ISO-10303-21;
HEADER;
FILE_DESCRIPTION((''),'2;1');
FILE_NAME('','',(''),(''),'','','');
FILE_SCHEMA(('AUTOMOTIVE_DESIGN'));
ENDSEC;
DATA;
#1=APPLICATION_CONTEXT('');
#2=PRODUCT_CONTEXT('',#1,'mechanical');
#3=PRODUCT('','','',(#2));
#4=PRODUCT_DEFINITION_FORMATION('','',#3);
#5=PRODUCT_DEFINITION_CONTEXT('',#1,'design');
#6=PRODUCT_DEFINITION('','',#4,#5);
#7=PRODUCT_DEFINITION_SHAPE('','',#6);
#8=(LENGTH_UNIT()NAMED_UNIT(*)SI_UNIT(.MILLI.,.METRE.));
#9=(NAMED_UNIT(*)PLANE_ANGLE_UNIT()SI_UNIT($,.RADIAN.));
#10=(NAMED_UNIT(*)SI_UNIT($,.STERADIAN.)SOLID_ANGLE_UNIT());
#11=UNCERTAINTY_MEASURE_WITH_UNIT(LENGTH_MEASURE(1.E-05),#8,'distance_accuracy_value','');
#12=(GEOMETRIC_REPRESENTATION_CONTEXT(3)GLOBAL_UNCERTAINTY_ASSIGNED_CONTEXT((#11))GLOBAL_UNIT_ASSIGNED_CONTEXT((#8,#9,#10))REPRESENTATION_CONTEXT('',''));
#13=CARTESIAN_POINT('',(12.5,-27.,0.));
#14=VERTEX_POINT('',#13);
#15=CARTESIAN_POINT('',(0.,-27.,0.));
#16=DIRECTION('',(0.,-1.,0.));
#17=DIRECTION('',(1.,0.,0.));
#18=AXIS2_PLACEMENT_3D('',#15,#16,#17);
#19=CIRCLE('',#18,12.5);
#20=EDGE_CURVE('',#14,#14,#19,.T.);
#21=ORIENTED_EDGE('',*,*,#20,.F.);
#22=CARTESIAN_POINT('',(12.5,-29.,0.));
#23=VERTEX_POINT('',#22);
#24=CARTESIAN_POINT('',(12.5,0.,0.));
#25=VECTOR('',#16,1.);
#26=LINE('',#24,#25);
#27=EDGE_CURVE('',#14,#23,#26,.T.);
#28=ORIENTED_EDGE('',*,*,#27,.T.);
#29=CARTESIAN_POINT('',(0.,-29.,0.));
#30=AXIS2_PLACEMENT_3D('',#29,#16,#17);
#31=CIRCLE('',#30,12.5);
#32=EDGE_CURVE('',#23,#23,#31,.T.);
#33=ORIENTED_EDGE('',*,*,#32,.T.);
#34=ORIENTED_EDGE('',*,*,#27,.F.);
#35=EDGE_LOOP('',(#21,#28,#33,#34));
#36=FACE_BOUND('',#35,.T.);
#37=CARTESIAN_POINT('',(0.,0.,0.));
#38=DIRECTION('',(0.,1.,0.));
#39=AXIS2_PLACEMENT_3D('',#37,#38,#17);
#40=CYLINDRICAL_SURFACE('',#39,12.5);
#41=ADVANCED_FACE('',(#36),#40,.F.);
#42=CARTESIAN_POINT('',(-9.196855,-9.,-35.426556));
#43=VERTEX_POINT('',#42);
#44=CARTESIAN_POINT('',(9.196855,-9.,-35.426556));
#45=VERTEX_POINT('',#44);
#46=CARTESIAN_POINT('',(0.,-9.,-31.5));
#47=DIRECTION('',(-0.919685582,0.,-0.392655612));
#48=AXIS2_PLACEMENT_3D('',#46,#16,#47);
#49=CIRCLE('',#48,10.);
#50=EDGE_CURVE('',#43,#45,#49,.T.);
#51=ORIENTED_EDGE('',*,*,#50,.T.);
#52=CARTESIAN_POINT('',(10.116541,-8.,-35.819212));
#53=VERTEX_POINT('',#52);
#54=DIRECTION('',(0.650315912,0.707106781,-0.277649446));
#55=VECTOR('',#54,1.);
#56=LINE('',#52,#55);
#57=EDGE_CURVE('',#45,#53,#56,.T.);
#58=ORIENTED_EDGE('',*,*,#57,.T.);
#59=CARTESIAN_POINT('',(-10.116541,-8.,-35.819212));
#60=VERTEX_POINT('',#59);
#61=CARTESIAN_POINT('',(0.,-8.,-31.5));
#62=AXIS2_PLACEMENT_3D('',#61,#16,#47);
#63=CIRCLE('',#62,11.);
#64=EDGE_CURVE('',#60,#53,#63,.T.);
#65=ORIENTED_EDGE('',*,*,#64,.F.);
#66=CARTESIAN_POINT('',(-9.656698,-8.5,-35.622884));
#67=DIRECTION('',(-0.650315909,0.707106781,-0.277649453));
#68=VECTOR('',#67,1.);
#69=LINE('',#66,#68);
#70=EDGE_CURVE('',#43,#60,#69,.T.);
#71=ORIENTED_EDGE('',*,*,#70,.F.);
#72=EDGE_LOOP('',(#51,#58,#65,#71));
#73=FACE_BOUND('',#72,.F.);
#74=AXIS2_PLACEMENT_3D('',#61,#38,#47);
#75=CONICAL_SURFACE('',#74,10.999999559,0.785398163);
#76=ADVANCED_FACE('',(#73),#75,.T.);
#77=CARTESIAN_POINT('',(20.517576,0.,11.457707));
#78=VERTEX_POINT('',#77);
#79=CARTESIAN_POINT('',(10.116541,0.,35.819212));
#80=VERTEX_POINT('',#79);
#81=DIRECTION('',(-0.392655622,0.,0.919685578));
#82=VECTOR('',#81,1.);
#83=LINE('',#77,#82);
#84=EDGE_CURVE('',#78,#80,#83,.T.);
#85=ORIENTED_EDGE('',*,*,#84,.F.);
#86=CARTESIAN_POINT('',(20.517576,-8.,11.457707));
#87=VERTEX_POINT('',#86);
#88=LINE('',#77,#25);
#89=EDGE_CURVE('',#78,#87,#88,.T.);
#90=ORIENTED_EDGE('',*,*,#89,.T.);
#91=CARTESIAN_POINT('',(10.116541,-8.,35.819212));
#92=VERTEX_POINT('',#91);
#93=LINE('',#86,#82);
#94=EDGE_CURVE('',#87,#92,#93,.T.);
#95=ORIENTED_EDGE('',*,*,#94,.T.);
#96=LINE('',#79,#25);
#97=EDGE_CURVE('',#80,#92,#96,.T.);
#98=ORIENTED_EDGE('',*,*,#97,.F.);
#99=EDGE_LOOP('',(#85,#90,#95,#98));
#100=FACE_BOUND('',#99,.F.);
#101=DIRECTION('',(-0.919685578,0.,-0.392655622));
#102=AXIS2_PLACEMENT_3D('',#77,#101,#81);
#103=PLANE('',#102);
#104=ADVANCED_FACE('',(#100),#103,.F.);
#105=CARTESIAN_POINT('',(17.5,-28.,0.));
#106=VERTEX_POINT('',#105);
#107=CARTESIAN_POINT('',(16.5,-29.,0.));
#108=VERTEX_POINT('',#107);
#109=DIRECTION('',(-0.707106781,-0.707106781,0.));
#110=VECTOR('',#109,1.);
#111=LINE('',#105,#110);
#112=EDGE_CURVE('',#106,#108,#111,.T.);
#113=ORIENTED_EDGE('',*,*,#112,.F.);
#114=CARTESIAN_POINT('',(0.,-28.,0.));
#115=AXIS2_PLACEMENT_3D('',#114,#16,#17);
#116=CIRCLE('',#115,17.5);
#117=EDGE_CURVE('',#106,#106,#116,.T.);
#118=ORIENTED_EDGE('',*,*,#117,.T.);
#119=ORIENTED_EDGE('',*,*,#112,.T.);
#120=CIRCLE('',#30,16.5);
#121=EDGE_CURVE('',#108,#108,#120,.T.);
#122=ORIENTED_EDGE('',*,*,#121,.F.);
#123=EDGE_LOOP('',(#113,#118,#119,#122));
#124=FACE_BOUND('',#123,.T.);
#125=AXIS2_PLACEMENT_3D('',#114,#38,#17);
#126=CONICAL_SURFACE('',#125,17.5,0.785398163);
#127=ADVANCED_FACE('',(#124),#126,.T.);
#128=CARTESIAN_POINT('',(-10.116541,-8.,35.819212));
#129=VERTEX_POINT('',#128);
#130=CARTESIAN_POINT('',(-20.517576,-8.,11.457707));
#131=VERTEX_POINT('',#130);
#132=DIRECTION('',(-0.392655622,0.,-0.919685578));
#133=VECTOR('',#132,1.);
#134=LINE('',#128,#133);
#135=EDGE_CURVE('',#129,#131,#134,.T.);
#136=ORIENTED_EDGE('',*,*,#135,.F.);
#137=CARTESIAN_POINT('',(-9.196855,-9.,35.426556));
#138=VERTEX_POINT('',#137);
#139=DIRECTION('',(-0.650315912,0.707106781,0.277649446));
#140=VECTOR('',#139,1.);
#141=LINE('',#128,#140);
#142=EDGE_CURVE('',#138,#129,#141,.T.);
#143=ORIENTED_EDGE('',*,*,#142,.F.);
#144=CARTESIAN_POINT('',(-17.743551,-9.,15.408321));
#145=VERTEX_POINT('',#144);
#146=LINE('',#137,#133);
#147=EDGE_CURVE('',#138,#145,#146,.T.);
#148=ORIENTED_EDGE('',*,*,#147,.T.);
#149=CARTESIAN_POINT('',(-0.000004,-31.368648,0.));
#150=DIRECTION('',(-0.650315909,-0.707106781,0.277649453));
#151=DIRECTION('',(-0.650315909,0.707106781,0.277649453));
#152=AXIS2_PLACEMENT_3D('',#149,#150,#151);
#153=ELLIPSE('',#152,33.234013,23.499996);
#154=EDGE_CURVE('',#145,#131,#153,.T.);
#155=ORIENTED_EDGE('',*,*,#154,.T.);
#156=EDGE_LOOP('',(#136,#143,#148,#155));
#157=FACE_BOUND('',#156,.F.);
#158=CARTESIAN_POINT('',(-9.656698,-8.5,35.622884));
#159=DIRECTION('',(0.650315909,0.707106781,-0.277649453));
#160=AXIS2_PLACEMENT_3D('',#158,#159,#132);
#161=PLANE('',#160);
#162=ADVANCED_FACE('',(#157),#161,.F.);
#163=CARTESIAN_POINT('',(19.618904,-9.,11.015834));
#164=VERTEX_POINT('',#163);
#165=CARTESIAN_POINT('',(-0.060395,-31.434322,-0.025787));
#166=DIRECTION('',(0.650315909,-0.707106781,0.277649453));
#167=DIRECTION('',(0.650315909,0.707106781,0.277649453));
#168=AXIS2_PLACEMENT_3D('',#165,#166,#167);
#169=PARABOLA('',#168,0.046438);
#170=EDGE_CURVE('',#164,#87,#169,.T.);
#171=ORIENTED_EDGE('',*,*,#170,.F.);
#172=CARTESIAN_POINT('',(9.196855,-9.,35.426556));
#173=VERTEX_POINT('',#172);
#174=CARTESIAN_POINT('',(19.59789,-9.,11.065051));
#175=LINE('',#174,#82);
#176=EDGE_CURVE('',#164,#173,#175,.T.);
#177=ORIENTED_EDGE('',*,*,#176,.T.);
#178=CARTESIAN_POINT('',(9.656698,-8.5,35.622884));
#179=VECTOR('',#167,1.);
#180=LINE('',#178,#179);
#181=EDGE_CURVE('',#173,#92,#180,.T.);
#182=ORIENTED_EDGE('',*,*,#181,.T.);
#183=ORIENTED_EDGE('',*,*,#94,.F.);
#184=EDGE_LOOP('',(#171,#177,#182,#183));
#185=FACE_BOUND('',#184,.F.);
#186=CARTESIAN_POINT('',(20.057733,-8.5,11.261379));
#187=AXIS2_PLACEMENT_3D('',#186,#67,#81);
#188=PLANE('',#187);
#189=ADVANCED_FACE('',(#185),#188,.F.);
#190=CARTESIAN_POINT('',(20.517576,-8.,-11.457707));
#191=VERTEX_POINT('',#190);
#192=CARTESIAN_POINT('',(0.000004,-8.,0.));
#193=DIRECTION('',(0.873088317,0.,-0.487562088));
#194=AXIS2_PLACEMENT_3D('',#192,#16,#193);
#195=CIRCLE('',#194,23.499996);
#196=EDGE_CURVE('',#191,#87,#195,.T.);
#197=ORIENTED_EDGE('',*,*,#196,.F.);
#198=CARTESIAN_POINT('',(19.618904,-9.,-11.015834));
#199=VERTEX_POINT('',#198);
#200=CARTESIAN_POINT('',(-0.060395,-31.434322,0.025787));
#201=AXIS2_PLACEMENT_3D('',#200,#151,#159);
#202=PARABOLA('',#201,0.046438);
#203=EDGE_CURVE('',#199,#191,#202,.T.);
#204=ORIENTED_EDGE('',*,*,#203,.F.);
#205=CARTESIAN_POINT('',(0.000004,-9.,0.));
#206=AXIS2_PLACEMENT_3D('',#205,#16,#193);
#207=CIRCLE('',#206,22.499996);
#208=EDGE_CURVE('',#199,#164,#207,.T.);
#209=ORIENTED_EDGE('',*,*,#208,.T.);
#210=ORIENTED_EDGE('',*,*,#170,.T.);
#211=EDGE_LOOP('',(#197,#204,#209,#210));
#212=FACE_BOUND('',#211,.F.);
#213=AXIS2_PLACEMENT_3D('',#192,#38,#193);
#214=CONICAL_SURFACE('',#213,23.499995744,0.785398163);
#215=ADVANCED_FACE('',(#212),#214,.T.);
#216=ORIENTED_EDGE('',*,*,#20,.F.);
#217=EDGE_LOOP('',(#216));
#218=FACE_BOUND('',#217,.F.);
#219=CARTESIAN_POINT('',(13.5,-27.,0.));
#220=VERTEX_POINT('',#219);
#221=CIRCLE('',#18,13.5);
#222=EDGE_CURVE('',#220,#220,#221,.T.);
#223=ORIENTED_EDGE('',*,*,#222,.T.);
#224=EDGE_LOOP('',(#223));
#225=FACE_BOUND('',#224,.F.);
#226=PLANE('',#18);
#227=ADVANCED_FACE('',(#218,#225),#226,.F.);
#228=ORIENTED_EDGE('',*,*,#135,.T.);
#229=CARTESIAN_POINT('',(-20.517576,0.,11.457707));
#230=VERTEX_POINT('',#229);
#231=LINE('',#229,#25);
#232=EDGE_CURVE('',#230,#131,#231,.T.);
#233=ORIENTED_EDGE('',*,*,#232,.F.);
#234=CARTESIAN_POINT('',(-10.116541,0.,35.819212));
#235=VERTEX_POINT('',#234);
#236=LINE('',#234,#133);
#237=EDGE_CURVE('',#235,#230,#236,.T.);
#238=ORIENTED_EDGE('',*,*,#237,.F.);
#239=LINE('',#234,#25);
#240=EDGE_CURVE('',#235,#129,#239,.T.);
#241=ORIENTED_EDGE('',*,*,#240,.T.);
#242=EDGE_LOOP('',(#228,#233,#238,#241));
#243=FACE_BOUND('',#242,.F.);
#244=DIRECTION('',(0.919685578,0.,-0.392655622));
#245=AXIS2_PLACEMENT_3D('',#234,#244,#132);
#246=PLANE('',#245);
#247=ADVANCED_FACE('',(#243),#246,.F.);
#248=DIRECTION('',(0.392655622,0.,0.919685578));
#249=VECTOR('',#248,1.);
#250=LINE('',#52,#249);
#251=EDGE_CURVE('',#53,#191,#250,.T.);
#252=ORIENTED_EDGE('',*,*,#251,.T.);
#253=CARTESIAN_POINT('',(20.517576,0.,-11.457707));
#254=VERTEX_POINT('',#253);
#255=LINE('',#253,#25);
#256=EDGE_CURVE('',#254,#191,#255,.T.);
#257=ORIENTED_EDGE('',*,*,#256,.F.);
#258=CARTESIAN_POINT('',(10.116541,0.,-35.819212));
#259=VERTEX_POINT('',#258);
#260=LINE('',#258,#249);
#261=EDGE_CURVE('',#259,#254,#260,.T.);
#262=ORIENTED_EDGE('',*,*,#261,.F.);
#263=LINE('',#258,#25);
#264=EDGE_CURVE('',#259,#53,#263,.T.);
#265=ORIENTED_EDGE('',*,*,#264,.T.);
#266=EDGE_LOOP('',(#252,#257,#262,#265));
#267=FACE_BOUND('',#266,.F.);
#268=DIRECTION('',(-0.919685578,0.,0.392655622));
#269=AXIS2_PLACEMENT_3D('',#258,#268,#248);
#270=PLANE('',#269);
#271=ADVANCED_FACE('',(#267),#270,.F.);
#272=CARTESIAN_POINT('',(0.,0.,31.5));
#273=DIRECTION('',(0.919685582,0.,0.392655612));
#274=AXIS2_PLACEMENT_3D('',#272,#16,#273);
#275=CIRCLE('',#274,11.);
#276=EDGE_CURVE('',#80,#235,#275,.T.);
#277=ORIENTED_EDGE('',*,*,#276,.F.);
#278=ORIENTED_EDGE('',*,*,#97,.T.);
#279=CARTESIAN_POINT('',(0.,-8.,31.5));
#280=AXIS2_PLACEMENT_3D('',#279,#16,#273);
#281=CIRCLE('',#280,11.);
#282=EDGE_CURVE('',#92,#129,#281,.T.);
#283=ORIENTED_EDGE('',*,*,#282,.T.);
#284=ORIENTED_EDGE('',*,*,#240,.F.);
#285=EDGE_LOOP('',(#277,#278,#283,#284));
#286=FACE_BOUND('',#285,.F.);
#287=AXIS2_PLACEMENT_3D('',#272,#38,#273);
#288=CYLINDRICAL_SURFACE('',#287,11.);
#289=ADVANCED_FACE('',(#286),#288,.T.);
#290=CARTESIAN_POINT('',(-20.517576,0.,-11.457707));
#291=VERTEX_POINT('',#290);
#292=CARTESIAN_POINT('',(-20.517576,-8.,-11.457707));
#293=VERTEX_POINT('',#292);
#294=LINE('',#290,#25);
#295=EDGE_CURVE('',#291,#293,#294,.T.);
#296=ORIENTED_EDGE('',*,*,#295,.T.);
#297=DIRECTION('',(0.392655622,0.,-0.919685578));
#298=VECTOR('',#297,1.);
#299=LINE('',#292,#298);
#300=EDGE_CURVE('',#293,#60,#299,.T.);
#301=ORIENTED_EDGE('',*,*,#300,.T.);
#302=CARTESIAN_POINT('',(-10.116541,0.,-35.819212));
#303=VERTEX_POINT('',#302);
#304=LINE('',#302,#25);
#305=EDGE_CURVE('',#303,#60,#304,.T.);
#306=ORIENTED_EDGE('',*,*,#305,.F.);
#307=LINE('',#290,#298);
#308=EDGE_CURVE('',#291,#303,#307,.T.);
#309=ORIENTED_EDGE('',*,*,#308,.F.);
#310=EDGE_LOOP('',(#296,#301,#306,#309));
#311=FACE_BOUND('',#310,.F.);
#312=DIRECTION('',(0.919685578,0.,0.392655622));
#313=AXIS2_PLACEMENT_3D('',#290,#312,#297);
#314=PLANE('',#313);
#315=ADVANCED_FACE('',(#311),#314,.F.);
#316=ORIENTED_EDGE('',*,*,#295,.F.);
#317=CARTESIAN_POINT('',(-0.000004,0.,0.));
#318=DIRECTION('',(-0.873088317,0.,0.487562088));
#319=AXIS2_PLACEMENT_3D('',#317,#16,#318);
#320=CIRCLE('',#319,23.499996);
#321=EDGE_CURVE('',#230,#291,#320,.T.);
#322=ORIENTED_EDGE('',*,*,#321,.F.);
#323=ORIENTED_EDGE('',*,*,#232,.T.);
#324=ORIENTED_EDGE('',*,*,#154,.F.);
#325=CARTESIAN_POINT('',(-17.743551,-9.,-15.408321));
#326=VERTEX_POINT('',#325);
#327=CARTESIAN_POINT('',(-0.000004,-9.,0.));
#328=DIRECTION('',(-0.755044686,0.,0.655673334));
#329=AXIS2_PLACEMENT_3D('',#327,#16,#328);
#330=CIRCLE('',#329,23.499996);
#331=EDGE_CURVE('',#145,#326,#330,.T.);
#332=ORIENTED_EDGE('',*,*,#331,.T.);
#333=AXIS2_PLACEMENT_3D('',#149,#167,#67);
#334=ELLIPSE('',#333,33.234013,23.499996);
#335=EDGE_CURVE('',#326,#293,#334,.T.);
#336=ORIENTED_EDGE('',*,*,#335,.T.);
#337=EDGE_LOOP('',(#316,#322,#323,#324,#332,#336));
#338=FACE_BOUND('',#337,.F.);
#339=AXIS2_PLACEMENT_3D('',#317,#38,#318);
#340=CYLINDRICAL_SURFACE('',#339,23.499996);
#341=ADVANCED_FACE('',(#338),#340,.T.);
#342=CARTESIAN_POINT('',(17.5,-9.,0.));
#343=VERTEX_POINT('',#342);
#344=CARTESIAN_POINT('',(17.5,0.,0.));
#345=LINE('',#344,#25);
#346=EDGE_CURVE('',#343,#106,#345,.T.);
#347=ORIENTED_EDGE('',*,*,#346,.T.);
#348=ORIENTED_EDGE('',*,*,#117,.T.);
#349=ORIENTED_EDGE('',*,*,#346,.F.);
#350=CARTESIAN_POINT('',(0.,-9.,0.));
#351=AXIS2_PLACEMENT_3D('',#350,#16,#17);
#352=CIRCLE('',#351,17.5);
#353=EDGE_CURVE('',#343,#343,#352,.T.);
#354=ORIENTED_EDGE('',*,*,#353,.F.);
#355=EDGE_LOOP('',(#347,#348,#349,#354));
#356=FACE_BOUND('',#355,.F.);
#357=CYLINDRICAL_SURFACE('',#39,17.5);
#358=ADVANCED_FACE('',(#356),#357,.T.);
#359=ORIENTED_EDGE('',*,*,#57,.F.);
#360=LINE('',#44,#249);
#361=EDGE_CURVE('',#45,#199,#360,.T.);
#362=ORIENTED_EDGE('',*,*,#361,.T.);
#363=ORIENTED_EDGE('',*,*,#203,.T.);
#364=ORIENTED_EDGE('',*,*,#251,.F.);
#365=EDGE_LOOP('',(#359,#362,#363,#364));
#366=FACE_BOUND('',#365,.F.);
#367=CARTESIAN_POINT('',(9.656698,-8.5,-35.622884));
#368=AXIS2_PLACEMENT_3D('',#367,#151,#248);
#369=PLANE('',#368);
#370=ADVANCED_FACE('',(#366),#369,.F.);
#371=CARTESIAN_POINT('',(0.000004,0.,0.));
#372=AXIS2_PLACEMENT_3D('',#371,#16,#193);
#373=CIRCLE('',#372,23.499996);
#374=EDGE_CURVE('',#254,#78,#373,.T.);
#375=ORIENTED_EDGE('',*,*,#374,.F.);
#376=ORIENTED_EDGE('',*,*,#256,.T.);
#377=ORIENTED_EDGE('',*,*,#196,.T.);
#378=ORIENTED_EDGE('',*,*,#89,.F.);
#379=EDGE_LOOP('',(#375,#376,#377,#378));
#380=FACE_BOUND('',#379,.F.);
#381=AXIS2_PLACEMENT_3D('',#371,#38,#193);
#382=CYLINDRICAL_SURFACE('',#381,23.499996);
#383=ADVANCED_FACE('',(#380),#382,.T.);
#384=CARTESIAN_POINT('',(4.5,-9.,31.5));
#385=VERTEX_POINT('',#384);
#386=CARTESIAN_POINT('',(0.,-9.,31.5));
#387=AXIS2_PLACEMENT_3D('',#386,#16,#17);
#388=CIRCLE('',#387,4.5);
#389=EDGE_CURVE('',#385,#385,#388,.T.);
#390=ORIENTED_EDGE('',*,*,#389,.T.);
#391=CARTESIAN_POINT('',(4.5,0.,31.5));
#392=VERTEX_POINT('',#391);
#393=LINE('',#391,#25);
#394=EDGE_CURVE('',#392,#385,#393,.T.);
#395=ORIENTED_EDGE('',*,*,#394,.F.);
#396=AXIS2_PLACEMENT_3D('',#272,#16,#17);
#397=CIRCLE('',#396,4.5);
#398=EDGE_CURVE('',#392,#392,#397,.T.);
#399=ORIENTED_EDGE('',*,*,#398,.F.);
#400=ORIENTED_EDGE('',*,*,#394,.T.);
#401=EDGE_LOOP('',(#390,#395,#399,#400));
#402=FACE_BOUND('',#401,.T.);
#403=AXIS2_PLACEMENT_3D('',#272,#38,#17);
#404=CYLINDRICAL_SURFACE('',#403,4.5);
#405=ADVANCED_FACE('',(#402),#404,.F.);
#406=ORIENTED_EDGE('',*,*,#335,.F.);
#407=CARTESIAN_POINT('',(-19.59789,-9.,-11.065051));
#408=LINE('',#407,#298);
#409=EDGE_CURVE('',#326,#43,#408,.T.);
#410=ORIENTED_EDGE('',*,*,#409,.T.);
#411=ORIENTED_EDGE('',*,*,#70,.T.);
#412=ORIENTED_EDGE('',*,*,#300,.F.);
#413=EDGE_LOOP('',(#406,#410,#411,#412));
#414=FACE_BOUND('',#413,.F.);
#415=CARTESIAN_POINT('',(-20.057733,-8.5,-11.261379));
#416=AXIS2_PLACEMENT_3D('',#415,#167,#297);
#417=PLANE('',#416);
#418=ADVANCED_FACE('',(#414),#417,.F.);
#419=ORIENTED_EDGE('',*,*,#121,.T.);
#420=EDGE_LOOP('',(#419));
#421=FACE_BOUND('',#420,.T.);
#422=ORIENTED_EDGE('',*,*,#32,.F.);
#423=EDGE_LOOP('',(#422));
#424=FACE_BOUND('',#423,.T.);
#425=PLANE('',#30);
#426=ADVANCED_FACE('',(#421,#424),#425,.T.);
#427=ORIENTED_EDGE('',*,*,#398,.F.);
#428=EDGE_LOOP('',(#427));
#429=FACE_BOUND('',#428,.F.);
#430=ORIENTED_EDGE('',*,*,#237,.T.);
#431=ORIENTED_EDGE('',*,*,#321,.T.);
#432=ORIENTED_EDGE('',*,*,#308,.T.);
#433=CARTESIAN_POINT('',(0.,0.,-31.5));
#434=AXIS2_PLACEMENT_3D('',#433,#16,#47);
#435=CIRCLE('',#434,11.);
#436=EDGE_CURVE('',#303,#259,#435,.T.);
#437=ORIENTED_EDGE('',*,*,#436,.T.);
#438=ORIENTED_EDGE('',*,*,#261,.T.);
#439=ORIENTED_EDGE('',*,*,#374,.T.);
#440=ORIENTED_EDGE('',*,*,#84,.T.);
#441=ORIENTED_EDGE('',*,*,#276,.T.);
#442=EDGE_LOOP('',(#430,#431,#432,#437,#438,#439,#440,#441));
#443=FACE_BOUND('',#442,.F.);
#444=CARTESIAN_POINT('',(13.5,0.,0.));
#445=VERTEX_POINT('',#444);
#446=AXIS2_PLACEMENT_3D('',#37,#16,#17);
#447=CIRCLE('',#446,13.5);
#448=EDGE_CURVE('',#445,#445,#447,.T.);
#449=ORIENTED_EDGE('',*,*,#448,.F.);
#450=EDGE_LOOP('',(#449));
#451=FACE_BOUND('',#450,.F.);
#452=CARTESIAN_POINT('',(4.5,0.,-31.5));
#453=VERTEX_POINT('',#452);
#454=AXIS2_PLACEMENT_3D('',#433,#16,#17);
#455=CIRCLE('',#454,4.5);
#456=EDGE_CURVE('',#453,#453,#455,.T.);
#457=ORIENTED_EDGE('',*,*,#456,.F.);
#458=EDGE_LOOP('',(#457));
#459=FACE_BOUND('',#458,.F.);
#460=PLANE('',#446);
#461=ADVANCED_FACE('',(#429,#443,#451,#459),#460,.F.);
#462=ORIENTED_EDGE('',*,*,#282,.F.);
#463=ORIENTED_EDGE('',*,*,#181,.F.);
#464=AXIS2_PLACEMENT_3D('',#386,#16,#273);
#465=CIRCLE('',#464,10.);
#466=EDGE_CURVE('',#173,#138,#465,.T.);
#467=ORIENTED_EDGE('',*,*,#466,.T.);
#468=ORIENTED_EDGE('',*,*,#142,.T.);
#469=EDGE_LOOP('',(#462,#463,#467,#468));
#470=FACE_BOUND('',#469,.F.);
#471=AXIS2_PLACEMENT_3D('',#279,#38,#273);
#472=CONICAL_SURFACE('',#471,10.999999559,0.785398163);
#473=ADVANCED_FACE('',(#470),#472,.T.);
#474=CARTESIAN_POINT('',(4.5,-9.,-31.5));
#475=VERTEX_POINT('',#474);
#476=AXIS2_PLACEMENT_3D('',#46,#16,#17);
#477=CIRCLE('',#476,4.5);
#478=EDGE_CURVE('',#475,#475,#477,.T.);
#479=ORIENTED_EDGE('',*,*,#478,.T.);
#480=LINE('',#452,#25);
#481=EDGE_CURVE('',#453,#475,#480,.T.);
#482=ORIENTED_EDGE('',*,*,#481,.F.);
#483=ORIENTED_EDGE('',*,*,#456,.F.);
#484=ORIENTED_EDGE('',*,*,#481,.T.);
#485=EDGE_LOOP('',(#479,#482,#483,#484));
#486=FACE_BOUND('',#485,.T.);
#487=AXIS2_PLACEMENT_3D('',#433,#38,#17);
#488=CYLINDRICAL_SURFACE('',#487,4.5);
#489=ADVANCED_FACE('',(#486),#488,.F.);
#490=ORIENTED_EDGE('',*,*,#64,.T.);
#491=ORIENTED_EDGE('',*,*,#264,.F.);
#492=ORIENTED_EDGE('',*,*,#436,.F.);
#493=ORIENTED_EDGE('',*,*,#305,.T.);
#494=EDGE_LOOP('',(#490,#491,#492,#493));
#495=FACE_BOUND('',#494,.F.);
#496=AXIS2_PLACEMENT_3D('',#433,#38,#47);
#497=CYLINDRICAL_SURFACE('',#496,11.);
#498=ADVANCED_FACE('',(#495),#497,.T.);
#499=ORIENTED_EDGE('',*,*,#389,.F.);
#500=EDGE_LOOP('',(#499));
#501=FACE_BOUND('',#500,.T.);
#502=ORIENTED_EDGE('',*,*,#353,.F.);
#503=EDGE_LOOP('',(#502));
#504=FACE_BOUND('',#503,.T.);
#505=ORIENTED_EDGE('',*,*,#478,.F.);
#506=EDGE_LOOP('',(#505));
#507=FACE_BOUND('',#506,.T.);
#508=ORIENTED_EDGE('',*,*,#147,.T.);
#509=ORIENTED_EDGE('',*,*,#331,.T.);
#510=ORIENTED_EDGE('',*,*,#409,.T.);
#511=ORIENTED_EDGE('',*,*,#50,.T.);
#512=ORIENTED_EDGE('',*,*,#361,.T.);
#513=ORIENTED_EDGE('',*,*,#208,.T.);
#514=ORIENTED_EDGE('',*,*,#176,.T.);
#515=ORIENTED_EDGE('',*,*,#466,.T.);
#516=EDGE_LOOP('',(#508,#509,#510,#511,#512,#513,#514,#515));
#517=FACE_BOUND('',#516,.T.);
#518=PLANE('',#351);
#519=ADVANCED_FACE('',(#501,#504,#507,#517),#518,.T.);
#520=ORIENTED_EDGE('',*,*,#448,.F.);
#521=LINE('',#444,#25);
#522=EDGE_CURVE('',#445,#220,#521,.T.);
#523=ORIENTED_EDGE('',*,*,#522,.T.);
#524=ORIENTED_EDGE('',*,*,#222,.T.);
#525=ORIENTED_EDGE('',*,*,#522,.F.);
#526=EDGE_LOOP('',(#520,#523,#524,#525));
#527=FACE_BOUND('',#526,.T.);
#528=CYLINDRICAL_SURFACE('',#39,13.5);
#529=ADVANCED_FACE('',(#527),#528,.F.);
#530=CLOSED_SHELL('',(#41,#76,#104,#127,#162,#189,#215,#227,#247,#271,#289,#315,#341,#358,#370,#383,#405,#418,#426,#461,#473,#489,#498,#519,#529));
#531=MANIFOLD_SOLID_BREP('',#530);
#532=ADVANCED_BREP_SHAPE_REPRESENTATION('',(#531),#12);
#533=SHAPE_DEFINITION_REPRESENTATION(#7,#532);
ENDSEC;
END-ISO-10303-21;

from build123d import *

# Parameters (mm, degrees)
F0_R     = 4.5
F0_R_2   = 17.5
F1_DEPTH = 9
F0_R_3   = 13.5
F0_R_4   = 12.5
F2_DEPTH = 29
F3_DEPTH = 27
F4_SIZE  = 1


with BuildPart() as f1:
    # F0 (on Front) → F1 (new body)
    with BuildSketch(Plane.XZ):
        with BuildLine():
            Line((10.116541, -35.819212), (20.517576, -11.457707))
            ThreePointArc((20.517576, -11.457707), (23.5, 0), (20.517576, 11.457707))
            Line((20.517576, 11.457707), (10.116541, 35.819212))
            ThreePointArc((10.116541, 35.819212), (0, 42.5), (-10.116541, 35.819212))
            Line((-10.116541, 35.819212), (-20.517576, 11.457707))
            ThreePointArc((-20.517576, 11.457707), (-23.5, 0), (-20.517576, -11.457707))
            Line((-20.517576, -11.457707), (-10.116541, -35.819212))
            ThreePointArc((-10.116541, -35.819212), (0, -42.5), (10.116541, -35.819212))
        make_face()
        with Locations((0, -31.5)):
            Circle(F0_R, mode=Mode.SUBTRACT)
        Circle(F0_R_2, mode=Mode.SUBTRACT)
        with Locations((0, 31.5)):
            Circle(F0_R, mode=Mode.SUBTRACT)
    extrude(amount=F1_DEPTH)

    # F0 (on Front) → F2 (join)
    with BuildSketch(Plane.XZ):
        Circle(F0_R_2)
        Circle(F0_R_3, mode=Mode.SUBTRACT)
        Circle(F0_R_3)
        Circle(F0_R_4, mode=Mode.SUBTRACT)
    extrude(amount=F2_DEPTH)

    # F0 (on Front) → F3 (cut)
    with BuildSketch(Plane.XZ):
        Circle(F0_R_3)
        Circle(F0_R_4, mode=Mode.SUBTRACT)
    extrude(amount=F3_DEPTH, mode=Mode.SUBTRACT)

    # F4
    f4_edges = [f1.edges().sort_by_distance(p)[0] for p in [
        (-17.5, -29, 0),
        (23.5, -9, 0),
        (15.317059, -9, -23.63846),
        (15.317059, -9, 23.63846),
    ]]
    chamfer(f4_edges, length=F4_SIZE)


solid = f1.part
